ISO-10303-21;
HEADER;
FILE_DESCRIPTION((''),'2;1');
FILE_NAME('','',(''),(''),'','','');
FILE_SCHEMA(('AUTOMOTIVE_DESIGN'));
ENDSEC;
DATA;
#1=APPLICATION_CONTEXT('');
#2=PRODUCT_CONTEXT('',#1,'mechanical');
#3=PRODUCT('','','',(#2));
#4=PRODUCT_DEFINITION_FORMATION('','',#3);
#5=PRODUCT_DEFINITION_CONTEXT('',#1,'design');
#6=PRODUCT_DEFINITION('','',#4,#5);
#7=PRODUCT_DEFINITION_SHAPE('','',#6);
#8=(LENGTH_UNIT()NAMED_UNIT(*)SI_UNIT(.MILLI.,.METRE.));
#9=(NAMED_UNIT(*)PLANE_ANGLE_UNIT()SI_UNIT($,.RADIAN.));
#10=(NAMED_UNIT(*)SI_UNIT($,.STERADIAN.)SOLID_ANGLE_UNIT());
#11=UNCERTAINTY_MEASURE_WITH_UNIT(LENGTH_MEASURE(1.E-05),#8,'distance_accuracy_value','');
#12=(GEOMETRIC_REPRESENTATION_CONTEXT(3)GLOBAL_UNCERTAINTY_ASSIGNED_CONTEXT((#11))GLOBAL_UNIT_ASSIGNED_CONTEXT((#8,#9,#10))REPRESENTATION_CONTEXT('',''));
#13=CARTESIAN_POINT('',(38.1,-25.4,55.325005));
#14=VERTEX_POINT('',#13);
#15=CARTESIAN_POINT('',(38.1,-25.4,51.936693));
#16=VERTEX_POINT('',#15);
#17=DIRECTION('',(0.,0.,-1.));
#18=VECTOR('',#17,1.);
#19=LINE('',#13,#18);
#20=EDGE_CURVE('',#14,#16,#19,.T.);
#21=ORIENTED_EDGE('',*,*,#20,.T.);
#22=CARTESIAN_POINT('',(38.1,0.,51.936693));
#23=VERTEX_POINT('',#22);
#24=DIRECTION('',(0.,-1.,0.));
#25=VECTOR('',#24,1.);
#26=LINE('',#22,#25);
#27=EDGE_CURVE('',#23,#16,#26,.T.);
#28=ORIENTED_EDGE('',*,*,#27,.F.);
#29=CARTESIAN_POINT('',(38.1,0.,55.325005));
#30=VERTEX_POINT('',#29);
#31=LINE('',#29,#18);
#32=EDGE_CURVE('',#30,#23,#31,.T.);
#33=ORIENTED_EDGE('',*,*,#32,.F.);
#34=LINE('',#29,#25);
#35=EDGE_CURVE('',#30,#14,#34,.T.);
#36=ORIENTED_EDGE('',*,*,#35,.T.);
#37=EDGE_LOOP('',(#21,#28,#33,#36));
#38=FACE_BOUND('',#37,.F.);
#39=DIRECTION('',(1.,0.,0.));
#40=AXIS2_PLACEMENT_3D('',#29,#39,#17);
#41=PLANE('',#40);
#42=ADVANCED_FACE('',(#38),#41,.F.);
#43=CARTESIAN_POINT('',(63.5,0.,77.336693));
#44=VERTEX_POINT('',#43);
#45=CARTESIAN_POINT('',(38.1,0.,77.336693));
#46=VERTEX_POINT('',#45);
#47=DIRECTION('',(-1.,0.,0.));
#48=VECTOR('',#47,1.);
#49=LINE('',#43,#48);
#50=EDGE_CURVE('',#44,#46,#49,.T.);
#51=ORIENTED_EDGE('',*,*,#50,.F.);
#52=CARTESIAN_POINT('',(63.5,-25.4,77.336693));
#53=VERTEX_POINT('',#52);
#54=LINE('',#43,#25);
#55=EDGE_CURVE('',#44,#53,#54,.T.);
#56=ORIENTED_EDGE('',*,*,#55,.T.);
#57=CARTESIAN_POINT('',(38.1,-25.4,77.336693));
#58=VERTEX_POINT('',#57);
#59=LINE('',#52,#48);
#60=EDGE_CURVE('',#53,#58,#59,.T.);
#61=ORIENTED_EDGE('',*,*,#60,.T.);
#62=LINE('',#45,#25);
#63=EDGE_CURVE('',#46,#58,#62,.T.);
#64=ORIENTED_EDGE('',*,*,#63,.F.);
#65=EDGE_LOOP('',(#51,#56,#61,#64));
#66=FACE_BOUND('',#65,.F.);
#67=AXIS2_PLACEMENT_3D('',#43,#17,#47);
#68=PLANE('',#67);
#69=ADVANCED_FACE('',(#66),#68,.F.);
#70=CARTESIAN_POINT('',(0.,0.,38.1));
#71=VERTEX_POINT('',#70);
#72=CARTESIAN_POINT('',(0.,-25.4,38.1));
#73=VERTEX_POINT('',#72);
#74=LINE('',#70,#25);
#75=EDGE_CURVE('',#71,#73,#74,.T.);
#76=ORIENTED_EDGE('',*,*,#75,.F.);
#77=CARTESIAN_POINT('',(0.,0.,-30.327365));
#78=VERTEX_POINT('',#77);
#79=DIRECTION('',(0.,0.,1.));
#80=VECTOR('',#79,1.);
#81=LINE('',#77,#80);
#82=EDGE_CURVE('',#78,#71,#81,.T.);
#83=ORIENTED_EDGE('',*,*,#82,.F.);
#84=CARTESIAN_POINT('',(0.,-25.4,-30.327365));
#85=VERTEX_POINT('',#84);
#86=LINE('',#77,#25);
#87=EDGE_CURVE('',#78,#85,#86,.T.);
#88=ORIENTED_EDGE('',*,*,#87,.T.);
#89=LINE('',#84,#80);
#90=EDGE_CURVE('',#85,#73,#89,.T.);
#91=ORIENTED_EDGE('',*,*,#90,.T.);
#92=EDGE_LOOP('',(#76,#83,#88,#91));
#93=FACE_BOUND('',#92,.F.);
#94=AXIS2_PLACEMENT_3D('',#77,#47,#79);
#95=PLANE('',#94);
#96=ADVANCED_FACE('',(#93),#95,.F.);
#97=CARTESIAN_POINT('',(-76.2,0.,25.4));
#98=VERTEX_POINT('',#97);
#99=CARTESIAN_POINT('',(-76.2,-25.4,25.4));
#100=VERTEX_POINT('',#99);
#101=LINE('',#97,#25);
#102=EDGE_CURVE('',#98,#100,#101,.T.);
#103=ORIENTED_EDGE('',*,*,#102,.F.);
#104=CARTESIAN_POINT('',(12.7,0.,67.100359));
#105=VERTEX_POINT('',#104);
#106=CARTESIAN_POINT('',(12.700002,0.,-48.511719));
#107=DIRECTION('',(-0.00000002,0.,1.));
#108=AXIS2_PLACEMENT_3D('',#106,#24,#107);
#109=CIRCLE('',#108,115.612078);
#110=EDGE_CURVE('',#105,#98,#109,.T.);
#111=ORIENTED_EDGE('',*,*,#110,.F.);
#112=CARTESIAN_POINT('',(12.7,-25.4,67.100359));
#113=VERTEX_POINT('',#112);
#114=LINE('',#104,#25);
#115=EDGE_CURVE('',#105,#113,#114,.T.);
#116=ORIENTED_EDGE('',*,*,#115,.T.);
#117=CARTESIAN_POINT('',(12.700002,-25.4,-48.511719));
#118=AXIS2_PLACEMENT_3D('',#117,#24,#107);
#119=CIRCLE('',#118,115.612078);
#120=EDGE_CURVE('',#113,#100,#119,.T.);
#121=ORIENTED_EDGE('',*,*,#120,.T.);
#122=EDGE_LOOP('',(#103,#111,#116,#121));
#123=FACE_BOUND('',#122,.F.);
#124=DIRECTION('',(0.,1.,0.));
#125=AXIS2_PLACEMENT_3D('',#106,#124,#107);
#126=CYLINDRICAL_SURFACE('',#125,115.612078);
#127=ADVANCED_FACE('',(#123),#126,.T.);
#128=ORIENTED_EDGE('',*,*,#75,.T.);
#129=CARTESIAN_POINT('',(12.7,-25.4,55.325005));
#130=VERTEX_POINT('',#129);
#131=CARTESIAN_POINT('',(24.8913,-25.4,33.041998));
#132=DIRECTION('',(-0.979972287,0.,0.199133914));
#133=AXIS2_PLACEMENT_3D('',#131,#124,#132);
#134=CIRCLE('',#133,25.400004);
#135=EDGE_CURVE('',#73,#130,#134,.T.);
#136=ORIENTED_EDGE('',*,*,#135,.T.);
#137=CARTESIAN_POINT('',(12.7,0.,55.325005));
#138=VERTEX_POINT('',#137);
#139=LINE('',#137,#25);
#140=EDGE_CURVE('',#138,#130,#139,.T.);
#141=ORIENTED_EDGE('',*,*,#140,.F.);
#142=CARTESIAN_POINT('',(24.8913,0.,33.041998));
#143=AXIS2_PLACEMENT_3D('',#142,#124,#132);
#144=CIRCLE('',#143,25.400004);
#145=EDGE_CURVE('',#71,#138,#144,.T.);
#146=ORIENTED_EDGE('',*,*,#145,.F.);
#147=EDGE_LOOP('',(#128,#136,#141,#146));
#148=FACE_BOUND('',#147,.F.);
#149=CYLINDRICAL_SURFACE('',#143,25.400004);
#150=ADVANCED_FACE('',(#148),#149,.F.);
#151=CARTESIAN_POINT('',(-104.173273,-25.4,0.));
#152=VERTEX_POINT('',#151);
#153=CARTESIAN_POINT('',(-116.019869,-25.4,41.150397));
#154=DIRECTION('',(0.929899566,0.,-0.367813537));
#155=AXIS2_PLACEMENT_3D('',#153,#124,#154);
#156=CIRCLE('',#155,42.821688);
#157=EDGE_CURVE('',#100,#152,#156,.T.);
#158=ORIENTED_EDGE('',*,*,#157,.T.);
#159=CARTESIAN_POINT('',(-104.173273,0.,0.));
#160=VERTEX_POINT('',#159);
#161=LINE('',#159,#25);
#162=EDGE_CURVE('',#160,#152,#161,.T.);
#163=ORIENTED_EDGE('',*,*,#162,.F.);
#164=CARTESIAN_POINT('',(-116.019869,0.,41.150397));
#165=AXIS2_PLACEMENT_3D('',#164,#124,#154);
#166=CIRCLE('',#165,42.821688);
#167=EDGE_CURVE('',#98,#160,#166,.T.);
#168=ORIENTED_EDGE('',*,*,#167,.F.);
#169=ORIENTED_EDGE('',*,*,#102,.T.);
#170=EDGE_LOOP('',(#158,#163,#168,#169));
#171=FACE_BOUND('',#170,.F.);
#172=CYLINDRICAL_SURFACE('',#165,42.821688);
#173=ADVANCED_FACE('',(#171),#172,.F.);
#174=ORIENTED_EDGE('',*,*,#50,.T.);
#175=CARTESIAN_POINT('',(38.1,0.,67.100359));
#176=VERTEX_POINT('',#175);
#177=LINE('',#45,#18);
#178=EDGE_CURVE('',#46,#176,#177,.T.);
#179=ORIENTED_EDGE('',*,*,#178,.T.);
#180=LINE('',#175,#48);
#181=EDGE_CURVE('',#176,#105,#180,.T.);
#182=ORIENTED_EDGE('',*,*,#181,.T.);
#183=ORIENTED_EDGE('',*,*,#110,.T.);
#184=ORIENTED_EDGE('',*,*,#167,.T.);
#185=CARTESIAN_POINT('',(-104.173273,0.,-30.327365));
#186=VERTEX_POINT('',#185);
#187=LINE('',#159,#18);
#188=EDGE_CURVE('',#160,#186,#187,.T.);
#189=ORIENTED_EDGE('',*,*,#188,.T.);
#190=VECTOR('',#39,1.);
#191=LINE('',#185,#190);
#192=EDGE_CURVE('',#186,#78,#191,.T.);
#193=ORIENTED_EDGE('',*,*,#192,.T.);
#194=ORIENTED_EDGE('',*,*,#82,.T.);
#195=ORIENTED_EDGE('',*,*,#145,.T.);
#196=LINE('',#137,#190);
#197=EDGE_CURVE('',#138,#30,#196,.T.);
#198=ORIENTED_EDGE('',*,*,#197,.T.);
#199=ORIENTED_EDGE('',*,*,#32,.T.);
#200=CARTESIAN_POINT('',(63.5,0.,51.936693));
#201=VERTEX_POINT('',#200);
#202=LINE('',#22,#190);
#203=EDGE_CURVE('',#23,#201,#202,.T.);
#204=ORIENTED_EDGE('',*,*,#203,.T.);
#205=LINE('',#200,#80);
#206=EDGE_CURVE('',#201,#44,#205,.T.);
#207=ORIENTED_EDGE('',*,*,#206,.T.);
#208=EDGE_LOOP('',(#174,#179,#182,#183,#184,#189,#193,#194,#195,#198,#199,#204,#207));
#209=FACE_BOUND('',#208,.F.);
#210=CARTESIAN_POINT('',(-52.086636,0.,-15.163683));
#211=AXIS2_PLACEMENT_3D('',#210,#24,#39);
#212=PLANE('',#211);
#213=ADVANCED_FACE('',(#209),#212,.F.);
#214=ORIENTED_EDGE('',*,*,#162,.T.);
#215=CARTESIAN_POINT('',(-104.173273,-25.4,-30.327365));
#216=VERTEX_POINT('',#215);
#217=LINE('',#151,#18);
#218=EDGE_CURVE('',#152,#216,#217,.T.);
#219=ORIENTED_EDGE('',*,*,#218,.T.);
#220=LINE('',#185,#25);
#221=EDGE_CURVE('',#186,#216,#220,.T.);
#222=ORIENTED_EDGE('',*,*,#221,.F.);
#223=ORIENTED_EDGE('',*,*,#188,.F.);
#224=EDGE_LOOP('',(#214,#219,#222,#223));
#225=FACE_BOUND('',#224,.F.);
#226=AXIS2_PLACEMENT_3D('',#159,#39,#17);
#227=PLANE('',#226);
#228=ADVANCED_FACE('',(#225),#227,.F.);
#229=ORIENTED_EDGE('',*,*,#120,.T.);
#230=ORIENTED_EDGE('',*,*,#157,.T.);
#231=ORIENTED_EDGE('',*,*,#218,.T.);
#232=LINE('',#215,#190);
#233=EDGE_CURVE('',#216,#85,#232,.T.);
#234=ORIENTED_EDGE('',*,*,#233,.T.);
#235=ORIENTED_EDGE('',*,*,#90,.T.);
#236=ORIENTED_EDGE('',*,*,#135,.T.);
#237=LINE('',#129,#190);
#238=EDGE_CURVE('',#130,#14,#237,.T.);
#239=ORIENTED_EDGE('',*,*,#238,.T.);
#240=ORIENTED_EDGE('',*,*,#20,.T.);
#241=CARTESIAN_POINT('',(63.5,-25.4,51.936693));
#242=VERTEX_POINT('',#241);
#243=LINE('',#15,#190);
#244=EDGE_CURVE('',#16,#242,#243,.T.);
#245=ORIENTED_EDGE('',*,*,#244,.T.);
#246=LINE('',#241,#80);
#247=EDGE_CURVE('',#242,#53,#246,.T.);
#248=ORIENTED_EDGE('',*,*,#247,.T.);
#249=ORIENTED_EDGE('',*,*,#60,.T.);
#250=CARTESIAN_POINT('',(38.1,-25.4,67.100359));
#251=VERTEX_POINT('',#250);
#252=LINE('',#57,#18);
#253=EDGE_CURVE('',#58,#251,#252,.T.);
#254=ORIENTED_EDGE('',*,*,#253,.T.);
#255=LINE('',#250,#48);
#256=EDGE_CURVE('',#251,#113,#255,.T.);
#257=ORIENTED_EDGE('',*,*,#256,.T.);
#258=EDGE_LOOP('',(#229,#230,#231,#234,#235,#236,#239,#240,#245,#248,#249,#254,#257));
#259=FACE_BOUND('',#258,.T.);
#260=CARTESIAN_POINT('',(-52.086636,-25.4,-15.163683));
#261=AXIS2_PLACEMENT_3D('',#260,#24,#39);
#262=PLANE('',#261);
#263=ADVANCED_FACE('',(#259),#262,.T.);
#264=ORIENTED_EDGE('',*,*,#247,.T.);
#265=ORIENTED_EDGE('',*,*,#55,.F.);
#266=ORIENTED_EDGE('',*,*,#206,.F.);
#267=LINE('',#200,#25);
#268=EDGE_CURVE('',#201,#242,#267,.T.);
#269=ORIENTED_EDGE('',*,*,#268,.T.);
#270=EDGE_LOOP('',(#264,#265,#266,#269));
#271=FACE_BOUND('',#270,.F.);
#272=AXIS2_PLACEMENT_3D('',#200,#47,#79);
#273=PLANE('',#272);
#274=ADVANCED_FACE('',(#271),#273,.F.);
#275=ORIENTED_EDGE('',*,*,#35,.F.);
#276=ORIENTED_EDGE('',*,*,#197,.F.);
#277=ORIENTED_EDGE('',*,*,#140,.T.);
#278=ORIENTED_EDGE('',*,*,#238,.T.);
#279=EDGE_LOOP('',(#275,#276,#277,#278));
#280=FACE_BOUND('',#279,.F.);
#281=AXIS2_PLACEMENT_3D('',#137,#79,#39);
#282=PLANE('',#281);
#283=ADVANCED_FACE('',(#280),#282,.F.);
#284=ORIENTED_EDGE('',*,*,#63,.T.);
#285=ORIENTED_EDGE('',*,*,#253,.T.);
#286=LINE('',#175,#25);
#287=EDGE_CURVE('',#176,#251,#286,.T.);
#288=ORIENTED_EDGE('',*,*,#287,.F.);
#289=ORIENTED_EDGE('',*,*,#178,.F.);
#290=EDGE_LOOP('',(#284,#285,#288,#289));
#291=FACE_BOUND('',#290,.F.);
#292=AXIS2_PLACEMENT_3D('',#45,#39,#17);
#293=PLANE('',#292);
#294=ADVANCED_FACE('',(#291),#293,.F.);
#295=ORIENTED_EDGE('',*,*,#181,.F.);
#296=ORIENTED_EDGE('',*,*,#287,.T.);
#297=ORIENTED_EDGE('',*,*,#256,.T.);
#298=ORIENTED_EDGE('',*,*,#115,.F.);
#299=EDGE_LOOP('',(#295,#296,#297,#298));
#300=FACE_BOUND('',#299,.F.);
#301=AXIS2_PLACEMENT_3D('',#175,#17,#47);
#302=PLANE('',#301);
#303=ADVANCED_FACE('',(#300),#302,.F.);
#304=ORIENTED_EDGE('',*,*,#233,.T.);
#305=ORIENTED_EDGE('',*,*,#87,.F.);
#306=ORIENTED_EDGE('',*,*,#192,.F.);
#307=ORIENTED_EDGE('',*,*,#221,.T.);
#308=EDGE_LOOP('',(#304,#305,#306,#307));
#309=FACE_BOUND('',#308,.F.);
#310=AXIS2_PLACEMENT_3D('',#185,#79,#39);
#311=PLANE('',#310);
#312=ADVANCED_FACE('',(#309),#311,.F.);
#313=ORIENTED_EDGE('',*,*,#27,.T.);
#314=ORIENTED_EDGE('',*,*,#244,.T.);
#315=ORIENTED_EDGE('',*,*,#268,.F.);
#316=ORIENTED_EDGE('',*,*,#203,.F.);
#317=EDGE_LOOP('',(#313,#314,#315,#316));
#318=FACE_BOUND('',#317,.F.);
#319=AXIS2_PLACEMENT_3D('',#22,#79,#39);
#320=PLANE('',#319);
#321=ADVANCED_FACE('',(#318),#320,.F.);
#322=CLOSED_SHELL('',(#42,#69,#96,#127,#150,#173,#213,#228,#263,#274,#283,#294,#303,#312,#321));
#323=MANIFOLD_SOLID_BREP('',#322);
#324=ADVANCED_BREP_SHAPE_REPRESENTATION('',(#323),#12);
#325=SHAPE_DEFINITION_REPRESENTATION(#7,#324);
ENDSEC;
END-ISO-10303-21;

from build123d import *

# Parameters (mm, degrees)
F1_DEPTH = 25.4


with BuildPart() as f1:
    # F0 (on Front) → F1 (new body)
    with BuildSketch(Plane.XZ):
        Polygon((0, -30.327365), (0, 0), (-76.2, 0), (-104.173273, 0), (-104.173273, -30.327365), align=None)
        Polygon((-76.2, 0), (0, 0), (0, 25.4), (-11.711787, 25.4), (-76.2, 25.4), align=None)
        with BuildLine():
            Line((-104.173273, 0), (-76.2, 0))
            Line((-76.2, 0), (-76.2, 25.4))
            ThreePointArc((-76.2, 25.4), (-87.233659, 9.447856), (-104.173273, 0))
        make_face()
        with BuildLine():
            Line((-11.711787, 25.4), (0, 25.4))
            Line((0, 25.4), (0, 38.1))
            ThreePointArc((0, 38.1), (4.447352, 48.115325), (12.7, 55.325005))
            Line((12.7, 55.325005), (38.1, 55.325005))
            Line((38.1, 55.325005), (38.1, 67.100359))
            Line((38.1, 67.100359), (12.7, 67.100359))
            ThreePointArc((12.7, 67.100359), (-3.36853, 55.851652), (-11.711787, 38.1))
            Line((-11.711787, 38.1), (-11.711787, 25.4))
        make_face()
        with BuildLine():
            ThreePointArc((12.7, 67.100359), (-36.397174, 56.157378), (-76.2, 25.4))
            Line((-76.2, 25.4), (-11.711787, 25.4))
            Line((-11.711787, 25.4), (-11.711787, 38.1))
            ThreePointArc((-11.711787, 38.1), (-3.36853, 55.851652), (12.7, 67.100359))
        make_face()
        Polygon((38.1, 77.336693), (38.1, 67.100359), (38.1, 55.325005), (38.1, 51.936693), (63.5, 51.936693), (63.5, 77.336693), align=None)
    extrude(amount=F1_DEPTH)


solid = f1.part
